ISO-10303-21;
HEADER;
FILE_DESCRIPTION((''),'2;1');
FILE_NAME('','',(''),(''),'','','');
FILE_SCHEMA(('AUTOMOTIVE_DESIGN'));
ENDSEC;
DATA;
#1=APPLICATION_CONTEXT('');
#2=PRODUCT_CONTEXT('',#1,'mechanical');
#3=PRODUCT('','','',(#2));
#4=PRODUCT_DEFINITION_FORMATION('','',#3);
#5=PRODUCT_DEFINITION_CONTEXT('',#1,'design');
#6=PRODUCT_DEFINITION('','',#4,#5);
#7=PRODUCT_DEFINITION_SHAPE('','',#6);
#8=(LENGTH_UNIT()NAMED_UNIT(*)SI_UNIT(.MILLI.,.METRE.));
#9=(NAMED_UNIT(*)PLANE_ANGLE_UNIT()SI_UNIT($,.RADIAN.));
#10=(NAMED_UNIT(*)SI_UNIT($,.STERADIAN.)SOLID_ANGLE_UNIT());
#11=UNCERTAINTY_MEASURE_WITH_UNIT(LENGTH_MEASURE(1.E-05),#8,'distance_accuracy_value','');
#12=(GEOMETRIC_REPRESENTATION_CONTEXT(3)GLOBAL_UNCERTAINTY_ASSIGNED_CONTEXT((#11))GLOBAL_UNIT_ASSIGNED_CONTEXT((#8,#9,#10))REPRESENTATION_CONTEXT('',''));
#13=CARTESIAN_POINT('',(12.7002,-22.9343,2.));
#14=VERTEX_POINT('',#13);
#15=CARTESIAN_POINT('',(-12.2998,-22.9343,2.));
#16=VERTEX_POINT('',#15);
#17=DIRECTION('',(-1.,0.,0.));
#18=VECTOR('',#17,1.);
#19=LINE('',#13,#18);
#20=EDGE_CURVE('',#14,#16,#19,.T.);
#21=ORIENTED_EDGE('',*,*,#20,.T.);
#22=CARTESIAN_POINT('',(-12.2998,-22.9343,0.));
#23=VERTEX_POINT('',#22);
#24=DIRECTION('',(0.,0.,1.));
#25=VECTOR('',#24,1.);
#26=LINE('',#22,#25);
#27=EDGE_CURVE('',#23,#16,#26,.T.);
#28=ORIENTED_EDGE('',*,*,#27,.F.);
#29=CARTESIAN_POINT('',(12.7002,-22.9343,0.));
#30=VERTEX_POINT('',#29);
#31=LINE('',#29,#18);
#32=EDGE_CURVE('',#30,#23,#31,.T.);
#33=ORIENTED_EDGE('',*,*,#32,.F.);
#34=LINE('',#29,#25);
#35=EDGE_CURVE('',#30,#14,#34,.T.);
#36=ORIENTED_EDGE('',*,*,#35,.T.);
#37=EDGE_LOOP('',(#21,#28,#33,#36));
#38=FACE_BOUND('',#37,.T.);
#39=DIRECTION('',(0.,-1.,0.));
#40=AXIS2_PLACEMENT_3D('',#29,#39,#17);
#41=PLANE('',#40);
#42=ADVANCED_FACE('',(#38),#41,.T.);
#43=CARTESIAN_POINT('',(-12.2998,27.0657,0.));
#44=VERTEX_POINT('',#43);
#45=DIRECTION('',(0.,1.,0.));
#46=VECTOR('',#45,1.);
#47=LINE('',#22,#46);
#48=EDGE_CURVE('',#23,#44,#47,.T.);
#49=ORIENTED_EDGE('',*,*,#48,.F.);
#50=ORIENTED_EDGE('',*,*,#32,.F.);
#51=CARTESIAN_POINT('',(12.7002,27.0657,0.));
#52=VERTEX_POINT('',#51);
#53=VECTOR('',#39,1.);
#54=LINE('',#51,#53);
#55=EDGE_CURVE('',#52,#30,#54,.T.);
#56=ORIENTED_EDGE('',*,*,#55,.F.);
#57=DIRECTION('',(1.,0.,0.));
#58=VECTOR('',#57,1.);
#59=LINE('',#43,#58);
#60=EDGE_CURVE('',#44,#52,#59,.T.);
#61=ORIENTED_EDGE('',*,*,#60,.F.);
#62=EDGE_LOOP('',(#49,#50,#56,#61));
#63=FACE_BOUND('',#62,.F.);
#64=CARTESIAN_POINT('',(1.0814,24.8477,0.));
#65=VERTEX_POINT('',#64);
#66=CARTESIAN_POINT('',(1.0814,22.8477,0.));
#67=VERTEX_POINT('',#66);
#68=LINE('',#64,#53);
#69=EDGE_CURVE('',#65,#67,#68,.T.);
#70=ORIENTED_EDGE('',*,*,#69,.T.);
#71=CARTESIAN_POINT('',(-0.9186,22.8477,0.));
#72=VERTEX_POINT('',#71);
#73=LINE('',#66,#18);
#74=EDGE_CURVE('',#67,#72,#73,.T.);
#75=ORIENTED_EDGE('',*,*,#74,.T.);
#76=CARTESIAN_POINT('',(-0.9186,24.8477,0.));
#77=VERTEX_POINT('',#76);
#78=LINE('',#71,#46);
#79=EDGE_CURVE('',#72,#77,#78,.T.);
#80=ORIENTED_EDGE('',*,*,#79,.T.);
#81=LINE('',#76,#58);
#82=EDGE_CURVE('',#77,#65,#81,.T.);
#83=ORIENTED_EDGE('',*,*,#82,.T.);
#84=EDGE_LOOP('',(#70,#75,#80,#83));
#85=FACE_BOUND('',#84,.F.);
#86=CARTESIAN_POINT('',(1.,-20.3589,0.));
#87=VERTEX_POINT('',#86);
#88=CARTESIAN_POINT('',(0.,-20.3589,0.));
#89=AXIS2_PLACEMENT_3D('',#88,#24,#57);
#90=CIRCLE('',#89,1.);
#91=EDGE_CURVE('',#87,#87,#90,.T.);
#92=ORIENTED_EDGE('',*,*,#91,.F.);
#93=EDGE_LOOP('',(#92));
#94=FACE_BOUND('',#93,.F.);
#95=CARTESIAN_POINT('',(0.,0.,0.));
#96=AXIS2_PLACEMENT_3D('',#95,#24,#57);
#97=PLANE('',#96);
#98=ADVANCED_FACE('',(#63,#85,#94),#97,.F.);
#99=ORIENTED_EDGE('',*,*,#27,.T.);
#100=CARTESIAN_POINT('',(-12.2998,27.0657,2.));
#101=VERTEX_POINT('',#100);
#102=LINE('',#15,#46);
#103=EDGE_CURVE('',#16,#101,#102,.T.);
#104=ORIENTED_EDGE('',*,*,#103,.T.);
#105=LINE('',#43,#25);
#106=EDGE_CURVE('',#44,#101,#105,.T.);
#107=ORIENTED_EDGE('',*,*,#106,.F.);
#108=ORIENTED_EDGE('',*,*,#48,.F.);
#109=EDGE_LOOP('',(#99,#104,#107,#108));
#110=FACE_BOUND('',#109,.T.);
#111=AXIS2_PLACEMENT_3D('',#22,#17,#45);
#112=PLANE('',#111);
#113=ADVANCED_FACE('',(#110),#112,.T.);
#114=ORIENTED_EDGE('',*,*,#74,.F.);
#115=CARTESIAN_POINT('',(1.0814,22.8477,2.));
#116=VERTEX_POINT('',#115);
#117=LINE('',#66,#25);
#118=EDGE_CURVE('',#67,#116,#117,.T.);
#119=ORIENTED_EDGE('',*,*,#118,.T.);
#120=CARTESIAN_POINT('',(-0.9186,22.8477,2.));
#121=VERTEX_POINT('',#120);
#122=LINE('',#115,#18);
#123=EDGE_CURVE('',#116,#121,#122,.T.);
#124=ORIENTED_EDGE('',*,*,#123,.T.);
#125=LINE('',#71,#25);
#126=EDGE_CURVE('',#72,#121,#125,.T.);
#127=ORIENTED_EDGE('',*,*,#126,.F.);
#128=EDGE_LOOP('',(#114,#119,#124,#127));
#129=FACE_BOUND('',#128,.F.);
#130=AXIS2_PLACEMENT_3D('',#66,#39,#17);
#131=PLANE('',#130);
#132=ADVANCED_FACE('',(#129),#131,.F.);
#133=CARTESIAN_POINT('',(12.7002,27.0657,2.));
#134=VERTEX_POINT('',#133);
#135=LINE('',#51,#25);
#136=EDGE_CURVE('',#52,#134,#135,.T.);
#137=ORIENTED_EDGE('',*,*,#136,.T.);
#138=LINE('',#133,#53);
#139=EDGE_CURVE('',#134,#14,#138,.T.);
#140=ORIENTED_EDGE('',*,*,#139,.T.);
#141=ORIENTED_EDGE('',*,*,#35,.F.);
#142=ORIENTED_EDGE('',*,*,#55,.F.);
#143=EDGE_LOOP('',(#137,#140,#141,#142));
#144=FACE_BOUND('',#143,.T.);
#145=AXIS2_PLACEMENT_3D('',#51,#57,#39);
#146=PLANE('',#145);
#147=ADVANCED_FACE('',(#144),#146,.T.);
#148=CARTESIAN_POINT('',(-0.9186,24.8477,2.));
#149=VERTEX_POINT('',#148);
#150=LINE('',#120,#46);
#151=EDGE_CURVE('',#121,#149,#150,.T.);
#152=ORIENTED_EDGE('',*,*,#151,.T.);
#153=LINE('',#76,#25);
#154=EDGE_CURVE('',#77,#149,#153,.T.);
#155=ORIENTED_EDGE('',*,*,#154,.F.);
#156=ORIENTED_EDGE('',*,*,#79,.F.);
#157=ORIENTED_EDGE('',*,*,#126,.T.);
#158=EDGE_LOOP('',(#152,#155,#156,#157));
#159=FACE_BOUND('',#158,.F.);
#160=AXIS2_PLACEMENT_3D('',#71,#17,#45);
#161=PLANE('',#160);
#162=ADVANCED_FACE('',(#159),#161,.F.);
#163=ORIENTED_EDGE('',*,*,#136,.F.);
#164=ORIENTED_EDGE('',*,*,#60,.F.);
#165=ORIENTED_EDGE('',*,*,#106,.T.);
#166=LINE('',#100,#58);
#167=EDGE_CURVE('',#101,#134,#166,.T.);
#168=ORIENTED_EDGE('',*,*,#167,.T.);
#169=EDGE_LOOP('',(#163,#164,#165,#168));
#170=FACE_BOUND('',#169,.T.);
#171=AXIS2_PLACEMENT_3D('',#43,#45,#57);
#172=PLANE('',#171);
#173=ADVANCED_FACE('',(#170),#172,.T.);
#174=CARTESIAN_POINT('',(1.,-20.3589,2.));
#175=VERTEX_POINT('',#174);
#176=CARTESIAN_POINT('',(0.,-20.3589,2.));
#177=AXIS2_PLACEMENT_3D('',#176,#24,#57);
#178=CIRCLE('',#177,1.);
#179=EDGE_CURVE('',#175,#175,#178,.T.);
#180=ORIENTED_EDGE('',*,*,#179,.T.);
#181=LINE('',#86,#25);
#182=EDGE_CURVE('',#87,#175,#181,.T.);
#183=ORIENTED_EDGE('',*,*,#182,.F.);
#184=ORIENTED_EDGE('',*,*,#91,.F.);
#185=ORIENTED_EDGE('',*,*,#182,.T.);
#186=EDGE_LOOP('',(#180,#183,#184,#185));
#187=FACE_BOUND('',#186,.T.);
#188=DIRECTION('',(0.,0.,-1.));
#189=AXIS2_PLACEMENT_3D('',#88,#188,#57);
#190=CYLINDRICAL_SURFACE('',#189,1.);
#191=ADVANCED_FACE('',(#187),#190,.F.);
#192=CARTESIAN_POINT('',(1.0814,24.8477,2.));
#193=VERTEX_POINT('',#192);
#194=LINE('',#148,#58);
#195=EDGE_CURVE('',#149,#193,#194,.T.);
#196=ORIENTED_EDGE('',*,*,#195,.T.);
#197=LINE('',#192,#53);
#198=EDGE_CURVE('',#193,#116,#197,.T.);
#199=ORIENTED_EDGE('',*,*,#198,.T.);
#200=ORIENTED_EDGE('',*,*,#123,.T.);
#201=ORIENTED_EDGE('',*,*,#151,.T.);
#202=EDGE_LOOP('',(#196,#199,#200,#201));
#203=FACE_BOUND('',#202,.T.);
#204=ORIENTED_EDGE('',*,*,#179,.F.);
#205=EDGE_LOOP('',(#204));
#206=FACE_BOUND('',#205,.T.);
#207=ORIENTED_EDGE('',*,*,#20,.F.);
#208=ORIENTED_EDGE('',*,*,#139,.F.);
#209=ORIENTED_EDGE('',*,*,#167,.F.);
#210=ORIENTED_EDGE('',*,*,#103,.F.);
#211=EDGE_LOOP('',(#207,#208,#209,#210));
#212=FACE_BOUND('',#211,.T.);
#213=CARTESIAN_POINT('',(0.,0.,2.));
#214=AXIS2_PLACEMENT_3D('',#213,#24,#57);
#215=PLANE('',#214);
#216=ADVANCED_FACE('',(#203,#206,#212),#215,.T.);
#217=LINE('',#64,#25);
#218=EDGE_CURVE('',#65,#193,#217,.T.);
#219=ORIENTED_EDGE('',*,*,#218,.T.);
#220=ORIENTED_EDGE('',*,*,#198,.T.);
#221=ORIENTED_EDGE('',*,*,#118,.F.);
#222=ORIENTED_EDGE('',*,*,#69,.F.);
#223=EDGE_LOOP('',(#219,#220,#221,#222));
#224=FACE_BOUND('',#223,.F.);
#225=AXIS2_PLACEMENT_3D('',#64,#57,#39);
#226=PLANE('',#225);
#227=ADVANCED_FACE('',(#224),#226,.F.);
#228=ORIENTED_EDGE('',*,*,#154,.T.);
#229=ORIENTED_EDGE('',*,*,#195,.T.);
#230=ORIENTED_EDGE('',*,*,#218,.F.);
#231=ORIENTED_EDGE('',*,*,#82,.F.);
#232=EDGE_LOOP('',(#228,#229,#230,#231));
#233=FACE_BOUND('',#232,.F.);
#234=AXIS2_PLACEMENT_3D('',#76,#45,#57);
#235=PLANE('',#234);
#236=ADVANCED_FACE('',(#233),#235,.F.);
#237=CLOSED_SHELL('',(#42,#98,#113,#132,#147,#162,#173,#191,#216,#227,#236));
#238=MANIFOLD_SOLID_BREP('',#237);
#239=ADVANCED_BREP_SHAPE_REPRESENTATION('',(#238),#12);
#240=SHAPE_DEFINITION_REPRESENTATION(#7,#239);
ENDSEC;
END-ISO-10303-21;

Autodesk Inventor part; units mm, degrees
ref_plane "YZ Plane" through (0, 0, 0) normal (1, 0, 0) x (0, 1, 0)
ref_plane "XZ Plane" through (0, 0, 0) normal (0, 1, 0) x (-1, 0, 0)
ref_plane "XY Plane" through (0, 0, 0) normal (0, 0, 1) x (1, 0, 0)
sketch "Sketch1" plane through (0, 0, 0) normal (0, 0, 1) x (1, 0, 0)
  line L0 (-12.2998, 27.0657) -> (12.7002, 27.0657)
  line L1 (12.7002, 27.0657) -> (12.7002, -22.9343)
  line L2 (12.7002, -22.9343) -> (-12.2998, -22.9343)
  line L3 (-12.2998, -22.9343) -> (-12.2998, 27.0657)
  circle A0 centre (0, -20.3589) radius 1
  line L4 (-0.9186, 24.8477) -> (1.0814, 24.8477)
  line L5 (1.0814, 24.8477) -> (1.0814, 22.8477)
  line L6 (1.0814, 22.8477) -> (-0.9186, 22.8477)
  line L7 (-0.9186, 22.8477) -> (-0.9186, 24.8477)
  point P0 (0, 0)
  dimension "d0" = 25
  dimension "d1" = 50
  dimension "d2" = 2
  dimension "d3" = 2
  dimension "d4" = 2
extrude "Extrusion1" add sketch "Sketch1" along normal blind 2
properties part number "Lclamp1"
